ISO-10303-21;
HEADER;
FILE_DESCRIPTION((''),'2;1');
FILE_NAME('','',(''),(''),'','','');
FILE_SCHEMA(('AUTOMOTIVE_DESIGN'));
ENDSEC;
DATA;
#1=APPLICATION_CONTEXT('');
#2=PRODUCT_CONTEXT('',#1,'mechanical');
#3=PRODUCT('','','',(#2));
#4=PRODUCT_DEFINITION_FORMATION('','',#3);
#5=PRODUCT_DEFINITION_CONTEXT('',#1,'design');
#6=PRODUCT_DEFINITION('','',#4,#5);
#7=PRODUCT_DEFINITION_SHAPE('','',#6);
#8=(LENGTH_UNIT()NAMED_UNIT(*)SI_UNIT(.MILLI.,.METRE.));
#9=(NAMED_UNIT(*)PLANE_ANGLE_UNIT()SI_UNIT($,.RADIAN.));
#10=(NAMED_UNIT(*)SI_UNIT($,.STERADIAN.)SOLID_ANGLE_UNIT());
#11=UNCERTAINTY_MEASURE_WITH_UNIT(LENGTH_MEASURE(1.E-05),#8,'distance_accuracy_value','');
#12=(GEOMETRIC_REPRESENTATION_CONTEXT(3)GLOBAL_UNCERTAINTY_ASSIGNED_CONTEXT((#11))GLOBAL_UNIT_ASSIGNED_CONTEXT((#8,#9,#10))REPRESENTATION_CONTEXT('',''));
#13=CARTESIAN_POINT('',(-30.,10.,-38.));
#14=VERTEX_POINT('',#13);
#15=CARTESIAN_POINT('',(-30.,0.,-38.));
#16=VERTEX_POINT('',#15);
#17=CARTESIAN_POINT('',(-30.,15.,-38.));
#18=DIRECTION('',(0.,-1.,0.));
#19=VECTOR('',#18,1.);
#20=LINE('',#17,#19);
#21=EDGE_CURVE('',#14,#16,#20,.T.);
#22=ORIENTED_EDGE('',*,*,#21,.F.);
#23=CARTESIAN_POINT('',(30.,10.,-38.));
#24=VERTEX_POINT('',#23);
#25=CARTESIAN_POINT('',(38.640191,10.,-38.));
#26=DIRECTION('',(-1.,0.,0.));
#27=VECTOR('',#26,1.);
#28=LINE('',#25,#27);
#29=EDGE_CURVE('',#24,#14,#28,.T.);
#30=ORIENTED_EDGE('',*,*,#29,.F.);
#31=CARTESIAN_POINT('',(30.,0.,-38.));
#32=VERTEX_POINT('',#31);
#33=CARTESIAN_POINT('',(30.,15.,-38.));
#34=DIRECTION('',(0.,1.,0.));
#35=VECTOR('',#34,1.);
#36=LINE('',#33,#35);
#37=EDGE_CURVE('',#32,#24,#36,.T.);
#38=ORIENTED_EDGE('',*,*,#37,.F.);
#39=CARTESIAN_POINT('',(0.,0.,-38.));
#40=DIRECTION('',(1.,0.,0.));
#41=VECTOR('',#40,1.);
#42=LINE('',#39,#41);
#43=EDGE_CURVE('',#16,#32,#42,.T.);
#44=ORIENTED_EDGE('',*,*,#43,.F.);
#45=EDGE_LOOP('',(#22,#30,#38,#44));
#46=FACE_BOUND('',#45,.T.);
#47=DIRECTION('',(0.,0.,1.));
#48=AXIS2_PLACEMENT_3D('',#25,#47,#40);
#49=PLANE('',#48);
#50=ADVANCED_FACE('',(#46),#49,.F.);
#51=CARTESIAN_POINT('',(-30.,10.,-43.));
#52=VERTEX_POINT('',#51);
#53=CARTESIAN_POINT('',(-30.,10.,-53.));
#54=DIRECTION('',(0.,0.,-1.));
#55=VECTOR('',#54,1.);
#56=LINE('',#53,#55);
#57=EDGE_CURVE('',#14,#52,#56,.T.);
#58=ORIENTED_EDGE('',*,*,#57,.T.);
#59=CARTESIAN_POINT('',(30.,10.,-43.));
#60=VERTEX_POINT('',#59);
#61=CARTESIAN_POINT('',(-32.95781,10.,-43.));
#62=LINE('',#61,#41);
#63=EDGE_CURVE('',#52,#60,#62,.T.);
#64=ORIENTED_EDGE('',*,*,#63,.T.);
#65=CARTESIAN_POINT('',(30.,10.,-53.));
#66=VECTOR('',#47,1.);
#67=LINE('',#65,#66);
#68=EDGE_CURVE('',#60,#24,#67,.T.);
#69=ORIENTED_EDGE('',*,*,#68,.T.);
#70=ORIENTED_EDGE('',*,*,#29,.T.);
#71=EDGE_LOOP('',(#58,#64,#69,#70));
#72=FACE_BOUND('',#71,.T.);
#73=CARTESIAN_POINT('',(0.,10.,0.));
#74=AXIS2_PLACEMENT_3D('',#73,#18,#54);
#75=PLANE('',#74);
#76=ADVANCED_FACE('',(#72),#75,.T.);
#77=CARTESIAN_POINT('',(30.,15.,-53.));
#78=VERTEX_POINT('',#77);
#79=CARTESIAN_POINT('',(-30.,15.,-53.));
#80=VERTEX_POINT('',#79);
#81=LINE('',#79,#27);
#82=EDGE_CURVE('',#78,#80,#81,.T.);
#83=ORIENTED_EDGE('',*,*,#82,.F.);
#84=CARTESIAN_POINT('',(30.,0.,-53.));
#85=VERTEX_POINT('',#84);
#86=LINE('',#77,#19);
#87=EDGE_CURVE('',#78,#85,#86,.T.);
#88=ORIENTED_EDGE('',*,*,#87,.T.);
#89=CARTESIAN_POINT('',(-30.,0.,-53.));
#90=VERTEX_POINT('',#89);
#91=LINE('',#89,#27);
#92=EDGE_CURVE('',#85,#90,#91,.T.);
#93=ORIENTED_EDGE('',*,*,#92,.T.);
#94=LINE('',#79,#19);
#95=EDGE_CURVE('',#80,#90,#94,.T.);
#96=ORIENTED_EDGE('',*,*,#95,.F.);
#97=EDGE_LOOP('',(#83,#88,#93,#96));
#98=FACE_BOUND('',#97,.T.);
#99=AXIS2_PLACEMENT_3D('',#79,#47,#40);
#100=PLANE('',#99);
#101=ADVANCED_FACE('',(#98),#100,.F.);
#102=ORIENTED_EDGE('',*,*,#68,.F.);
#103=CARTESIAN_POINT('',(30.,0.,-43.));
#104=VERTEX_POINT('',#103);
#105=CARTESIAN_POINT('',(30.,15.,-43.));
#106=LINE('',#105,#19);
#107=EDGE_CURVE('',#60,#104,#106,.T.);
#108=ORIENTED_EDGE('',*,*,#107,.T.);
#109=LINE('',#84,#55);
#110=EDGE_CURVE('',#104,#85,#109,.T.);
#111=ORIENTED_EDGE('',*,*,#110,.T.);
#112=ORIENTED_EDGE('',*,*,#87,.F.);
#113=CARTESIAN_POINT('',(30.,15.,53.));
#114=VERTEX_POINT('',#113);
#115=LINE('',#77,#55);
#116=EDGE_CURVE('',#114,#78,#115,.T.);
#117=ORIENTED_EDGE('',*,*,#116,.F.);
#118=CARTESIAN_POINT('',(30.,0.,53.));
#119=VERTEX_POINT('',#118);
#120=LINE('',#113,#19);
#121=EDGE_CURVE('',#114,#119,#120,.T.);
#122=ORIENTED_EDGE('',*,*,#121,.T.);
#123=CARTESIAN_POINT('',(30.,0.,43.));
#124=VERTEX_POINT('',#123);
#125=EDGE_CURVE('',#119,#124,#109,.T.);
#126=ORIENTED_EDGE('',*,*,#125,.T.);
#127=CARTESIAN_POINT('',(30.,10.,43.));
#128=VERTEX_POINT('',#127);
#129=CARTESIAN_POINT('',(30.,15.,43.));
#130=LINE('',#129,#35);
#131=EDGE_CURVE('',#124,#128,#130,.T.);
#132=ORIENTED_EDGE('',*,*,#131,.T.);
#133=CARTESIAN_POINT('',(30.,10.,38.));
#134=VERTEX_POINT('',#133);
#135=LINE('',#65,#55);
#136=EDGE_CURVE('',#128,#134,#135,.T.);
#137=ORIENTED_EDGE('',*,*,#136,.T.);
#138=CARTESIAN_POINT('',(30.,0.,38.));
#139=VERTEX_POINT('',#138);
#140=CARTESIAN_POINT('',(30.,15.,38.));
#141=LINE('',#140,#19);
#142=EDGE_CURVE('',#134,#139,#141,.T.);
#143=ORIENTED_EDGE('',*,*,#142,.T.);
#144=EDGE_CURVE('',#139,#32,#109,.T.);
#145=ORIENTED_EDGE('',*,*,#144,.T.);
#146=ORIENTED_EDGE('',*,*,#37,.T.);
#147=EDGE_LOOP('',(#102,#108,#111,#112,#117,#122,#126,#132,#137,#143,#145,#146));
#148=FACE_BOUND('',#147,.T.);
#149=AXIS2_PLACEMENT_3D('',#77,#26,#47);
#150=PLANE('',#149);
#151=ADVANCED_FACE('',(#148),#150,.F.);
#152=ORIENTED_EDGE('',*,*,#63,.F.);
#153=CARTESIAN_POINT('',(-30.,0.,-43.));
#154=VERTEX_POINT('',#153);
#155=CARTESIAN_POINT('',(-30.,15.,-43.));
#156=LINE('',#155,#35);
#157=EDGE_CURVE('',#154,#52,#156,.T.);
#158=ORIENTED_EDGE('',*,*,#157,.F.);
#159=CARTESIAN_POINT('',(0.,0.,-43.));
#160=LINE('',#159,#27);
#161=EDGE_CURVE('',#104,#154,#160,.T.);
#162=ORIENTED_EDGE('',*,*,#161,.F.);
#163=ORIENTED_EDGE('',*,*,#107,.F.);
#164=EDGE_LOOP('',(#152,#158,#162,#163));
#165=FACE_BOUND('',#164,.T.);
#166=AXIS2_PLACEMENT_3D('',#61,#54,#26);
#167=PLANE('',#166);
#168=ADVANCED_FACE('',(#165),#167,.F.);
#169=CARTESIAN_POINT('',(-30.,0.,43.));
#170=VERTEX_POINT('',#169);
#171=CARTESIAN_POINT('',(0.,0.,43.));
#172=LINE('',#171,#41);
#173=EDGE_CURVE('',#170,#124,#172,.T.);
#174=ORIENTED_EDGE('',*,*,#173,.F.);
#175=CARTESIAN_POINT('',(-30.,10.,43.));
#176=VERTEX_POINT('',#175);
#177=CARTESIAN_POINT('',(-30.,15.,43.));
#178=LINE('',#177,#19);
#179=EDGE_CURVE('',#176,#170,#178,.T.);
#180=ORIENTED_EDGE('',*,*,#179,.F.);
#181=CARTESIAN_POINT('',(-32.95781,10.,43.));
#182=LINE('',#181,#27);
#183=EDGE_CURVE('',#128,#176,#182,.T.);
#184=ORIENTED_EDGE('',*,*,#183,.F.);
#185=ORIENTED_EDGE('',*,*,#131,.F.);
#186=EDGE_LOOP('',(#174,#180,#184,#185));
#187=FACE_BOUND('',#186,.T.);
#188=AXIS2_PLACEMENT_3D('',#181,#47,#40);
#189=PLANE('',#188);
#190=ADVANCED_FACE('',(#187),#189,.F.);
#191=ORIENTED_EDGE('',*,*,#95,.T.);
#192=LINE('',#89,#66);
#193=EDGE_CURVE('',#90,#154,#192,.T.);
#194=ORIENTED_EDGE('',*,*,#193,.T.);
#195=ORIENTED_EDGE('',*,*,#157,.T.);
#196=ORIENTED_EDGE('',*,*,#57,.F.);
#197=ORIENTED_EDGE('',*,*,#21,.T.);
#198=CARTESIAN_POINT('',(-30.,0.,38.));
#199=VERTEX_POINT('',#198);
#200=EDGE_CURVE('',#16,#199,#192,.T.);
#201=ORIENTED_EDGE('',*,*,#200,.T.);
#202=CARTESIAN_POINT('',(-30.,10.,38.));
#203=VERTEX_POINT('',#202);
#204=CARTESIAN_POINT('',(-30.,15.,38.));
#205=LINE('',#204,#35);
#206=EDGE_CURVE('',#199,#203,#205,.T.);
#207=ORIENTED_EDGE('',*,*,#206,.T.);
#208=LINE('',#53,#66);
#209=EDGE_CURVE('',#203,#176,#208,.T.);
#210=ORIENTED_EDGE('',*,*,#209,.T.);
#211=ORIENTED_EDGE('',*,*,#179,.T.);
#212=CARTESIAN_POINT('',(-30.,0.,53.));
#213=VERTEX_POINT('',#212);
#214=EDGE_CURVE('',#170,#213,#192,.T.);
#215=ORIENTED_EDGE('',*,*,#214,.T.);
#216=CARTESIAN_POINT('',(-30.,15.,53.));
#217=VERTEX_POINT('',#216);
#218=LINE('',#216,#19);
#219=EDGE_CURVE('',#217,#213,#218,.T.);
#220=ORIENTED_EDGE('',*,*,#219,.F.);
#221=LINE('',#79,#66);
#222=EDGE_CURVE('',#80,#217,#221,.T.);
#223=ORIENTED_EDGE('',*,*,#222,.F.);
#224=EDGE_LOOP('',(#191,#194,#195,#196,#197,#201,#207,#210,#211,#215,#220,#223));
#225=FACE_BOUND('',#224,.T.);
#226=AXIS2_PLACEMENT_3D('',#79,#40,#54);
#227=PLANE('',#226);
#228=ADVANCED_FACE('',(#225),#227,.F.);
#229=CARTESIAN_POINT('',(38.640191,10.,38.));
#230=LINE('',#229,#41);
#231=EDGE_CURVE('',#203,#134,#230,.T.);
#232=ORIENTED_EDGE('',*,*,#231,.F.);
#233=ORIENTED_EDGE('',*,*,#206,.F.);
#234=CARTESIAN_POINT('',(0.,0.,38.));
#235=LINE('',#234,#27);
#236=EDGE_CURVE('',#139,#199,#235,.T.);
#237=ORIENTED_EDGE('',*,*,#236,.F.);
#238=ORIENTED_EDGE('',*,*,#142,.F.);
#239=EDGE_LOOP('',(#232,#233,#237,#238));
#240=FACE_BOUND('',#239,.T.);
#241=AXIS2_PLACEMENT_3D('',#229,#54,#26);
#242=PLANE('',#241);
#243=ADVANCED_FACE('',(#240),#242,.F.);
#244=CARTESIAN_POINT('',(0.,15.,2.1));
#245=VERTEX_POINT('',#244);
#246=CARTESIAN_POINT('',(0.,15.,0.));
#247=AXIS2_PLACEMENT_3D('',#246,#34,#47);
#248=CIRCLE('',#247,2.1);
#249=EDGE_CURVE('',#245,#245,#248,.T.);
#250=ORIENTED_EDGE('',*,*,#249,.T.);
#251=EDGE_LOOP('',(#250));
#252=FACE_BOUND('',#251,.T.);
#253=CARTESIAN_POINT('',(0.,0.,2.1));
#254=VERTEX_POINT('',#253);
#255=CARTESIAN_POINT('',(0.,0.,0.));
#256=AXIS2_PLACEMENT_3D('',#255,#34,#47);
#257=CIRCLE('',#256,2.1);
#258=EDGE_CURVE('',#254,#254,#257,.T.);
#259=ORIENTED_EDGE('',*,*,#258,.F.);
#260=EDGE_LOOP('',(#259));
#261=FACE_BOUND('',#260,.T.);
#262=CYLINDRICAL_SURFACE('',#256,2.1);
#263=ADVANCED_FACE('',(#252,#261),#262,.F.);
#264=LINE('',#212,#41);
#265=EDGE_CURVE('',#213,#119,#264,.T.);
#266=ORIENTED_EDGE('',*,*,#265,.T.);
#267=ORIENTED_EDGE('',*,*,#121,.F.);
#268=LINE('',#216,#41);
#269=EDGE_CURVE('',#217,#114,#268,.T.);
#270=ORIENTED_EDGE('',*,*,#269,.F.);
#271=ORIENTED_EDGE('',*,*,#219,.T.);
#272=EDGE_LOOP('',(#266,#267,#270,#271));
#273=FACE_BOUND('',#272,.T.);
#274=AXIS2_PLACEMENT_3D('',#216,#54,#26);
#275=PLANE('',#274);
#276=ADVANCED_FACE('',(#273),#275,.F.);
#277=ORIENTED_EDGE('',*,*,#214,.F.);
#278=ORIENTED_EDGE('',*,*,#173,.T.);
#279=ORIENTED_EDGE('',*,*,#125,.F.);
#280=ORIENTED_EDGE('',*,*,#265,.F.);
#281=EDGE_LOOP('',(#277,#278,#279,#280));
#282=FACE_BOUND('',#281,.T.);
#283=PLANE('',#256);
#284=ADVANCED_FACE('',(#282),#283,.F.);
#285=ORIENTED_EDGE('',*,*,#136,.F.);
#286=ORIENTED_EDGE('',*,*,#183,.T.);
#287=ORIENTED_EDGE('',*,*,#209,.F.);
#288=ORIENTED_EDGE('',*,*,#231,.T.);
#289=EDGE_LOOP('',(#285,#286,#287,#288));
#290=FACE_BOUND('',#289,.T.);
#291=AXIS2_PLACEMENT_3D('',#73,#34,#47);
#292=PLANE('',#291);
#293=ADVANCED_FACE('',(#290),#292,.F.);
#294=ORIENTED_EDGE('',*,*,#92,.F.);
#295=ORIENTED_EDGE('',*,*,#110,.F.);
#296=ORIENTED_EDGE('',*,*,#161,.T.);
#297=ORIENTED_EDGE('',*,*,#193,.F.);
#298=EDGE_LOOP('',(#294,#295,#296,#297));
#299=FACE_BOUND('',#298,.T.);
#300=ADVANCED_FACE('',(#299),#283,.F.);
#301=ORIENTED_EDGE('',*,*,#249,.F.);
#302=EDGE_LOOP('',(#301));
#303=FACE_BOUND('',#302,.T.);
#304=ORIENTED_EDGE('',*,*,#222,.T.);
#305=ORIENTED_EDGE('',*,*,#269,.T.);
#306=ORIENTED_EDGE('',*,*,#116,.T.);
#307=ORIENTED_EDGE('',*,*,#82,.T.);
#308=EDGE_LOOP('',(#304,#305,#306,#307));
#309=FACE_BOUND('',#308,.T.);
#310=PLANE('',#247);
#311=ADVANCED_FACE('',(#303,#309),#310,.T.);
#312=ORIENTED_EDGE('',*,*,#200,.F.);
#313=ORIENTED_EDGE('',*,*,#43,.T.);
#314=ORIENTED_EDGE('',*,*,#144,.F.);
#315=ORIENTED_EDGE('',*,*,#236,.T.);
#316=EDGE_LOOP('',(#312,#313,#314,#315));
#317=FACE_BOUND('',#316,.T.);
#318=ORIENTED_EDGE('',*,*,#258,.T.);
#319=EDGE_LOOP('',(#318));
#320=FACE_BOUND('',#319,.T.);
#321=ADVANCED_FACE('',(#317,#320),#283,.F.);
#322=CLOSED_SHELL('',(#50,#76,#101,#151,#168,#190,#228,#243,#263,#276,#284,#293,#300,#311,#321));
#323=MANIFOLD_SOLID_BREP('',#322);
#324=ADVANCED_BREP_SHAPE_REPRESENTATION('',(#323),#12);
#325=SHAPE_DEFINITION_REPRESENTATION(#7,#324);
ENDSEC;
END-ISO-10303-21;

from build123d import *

# Parameters (mm, degrees)
SKETCH_1_W               = 60
SKETCH_1_H               = 106
EXTRUDE_1_DEPTH          = 15
CUT_EXTRUDE_1_DEPTH      = 10
CUT_EXTRUDE_2_DEPTH      = 63.721607122
CUT_EXTRUDE_2_DEPTH_BACK = 63.721607122
SKETCH_3_R               = 2.1


with BuildPart() as part:
    # 草图1 → 凸台-拉伸1 (new body)
    with BuildSketch(Plane(origin=(0, 0, 0), x_dir=(1, 0, 0), z_dir=(0, 1, 0))):
        Rectangle(SKETCH_1_W, SKETCH_1_H)
    extrude(amount=EXTRUDE_1_DEPTH)

    # 草图2 → 切除-拉伸1 (cut)
    with BuildSketch(Plane.XZ):
        Polygon((-32.957810335, 43), (38.640191428, 43), (38.640191428, 38), (-35.799000882, 38), align=None)
        Polygon((38.640191428, -38), (-35.799000882, -38), (-32.957810335, -43), (38.640191428, -43), align=None)
    extrude(amount=-CUT_EXTRUDE_1_DEPTH, mode=Mode.SUBTRACT)

    # 草图3 → 切除-拉伸2 (cut, two sides: drawn at the far end of the back side and taken through both)
    with BuildSketch(Plane(origin=(0, 15, 0), x_dir=(1, 0, 0), z_dir=(0, 1, 0)).offset(-CUT_EXTRUDE_2_DEPTH_BACK)):
        with Locations(Location((0, 0, 0), (0, 0, 270))):
            Circle(SKETCH_3_R)
    extrude(amount=CUT_EXTRUDE_2_DEPTH + CUT_EXTRUDE_2_DEPTH_BACK, mode=Mode.SUBTRACT)


solid = part.part
